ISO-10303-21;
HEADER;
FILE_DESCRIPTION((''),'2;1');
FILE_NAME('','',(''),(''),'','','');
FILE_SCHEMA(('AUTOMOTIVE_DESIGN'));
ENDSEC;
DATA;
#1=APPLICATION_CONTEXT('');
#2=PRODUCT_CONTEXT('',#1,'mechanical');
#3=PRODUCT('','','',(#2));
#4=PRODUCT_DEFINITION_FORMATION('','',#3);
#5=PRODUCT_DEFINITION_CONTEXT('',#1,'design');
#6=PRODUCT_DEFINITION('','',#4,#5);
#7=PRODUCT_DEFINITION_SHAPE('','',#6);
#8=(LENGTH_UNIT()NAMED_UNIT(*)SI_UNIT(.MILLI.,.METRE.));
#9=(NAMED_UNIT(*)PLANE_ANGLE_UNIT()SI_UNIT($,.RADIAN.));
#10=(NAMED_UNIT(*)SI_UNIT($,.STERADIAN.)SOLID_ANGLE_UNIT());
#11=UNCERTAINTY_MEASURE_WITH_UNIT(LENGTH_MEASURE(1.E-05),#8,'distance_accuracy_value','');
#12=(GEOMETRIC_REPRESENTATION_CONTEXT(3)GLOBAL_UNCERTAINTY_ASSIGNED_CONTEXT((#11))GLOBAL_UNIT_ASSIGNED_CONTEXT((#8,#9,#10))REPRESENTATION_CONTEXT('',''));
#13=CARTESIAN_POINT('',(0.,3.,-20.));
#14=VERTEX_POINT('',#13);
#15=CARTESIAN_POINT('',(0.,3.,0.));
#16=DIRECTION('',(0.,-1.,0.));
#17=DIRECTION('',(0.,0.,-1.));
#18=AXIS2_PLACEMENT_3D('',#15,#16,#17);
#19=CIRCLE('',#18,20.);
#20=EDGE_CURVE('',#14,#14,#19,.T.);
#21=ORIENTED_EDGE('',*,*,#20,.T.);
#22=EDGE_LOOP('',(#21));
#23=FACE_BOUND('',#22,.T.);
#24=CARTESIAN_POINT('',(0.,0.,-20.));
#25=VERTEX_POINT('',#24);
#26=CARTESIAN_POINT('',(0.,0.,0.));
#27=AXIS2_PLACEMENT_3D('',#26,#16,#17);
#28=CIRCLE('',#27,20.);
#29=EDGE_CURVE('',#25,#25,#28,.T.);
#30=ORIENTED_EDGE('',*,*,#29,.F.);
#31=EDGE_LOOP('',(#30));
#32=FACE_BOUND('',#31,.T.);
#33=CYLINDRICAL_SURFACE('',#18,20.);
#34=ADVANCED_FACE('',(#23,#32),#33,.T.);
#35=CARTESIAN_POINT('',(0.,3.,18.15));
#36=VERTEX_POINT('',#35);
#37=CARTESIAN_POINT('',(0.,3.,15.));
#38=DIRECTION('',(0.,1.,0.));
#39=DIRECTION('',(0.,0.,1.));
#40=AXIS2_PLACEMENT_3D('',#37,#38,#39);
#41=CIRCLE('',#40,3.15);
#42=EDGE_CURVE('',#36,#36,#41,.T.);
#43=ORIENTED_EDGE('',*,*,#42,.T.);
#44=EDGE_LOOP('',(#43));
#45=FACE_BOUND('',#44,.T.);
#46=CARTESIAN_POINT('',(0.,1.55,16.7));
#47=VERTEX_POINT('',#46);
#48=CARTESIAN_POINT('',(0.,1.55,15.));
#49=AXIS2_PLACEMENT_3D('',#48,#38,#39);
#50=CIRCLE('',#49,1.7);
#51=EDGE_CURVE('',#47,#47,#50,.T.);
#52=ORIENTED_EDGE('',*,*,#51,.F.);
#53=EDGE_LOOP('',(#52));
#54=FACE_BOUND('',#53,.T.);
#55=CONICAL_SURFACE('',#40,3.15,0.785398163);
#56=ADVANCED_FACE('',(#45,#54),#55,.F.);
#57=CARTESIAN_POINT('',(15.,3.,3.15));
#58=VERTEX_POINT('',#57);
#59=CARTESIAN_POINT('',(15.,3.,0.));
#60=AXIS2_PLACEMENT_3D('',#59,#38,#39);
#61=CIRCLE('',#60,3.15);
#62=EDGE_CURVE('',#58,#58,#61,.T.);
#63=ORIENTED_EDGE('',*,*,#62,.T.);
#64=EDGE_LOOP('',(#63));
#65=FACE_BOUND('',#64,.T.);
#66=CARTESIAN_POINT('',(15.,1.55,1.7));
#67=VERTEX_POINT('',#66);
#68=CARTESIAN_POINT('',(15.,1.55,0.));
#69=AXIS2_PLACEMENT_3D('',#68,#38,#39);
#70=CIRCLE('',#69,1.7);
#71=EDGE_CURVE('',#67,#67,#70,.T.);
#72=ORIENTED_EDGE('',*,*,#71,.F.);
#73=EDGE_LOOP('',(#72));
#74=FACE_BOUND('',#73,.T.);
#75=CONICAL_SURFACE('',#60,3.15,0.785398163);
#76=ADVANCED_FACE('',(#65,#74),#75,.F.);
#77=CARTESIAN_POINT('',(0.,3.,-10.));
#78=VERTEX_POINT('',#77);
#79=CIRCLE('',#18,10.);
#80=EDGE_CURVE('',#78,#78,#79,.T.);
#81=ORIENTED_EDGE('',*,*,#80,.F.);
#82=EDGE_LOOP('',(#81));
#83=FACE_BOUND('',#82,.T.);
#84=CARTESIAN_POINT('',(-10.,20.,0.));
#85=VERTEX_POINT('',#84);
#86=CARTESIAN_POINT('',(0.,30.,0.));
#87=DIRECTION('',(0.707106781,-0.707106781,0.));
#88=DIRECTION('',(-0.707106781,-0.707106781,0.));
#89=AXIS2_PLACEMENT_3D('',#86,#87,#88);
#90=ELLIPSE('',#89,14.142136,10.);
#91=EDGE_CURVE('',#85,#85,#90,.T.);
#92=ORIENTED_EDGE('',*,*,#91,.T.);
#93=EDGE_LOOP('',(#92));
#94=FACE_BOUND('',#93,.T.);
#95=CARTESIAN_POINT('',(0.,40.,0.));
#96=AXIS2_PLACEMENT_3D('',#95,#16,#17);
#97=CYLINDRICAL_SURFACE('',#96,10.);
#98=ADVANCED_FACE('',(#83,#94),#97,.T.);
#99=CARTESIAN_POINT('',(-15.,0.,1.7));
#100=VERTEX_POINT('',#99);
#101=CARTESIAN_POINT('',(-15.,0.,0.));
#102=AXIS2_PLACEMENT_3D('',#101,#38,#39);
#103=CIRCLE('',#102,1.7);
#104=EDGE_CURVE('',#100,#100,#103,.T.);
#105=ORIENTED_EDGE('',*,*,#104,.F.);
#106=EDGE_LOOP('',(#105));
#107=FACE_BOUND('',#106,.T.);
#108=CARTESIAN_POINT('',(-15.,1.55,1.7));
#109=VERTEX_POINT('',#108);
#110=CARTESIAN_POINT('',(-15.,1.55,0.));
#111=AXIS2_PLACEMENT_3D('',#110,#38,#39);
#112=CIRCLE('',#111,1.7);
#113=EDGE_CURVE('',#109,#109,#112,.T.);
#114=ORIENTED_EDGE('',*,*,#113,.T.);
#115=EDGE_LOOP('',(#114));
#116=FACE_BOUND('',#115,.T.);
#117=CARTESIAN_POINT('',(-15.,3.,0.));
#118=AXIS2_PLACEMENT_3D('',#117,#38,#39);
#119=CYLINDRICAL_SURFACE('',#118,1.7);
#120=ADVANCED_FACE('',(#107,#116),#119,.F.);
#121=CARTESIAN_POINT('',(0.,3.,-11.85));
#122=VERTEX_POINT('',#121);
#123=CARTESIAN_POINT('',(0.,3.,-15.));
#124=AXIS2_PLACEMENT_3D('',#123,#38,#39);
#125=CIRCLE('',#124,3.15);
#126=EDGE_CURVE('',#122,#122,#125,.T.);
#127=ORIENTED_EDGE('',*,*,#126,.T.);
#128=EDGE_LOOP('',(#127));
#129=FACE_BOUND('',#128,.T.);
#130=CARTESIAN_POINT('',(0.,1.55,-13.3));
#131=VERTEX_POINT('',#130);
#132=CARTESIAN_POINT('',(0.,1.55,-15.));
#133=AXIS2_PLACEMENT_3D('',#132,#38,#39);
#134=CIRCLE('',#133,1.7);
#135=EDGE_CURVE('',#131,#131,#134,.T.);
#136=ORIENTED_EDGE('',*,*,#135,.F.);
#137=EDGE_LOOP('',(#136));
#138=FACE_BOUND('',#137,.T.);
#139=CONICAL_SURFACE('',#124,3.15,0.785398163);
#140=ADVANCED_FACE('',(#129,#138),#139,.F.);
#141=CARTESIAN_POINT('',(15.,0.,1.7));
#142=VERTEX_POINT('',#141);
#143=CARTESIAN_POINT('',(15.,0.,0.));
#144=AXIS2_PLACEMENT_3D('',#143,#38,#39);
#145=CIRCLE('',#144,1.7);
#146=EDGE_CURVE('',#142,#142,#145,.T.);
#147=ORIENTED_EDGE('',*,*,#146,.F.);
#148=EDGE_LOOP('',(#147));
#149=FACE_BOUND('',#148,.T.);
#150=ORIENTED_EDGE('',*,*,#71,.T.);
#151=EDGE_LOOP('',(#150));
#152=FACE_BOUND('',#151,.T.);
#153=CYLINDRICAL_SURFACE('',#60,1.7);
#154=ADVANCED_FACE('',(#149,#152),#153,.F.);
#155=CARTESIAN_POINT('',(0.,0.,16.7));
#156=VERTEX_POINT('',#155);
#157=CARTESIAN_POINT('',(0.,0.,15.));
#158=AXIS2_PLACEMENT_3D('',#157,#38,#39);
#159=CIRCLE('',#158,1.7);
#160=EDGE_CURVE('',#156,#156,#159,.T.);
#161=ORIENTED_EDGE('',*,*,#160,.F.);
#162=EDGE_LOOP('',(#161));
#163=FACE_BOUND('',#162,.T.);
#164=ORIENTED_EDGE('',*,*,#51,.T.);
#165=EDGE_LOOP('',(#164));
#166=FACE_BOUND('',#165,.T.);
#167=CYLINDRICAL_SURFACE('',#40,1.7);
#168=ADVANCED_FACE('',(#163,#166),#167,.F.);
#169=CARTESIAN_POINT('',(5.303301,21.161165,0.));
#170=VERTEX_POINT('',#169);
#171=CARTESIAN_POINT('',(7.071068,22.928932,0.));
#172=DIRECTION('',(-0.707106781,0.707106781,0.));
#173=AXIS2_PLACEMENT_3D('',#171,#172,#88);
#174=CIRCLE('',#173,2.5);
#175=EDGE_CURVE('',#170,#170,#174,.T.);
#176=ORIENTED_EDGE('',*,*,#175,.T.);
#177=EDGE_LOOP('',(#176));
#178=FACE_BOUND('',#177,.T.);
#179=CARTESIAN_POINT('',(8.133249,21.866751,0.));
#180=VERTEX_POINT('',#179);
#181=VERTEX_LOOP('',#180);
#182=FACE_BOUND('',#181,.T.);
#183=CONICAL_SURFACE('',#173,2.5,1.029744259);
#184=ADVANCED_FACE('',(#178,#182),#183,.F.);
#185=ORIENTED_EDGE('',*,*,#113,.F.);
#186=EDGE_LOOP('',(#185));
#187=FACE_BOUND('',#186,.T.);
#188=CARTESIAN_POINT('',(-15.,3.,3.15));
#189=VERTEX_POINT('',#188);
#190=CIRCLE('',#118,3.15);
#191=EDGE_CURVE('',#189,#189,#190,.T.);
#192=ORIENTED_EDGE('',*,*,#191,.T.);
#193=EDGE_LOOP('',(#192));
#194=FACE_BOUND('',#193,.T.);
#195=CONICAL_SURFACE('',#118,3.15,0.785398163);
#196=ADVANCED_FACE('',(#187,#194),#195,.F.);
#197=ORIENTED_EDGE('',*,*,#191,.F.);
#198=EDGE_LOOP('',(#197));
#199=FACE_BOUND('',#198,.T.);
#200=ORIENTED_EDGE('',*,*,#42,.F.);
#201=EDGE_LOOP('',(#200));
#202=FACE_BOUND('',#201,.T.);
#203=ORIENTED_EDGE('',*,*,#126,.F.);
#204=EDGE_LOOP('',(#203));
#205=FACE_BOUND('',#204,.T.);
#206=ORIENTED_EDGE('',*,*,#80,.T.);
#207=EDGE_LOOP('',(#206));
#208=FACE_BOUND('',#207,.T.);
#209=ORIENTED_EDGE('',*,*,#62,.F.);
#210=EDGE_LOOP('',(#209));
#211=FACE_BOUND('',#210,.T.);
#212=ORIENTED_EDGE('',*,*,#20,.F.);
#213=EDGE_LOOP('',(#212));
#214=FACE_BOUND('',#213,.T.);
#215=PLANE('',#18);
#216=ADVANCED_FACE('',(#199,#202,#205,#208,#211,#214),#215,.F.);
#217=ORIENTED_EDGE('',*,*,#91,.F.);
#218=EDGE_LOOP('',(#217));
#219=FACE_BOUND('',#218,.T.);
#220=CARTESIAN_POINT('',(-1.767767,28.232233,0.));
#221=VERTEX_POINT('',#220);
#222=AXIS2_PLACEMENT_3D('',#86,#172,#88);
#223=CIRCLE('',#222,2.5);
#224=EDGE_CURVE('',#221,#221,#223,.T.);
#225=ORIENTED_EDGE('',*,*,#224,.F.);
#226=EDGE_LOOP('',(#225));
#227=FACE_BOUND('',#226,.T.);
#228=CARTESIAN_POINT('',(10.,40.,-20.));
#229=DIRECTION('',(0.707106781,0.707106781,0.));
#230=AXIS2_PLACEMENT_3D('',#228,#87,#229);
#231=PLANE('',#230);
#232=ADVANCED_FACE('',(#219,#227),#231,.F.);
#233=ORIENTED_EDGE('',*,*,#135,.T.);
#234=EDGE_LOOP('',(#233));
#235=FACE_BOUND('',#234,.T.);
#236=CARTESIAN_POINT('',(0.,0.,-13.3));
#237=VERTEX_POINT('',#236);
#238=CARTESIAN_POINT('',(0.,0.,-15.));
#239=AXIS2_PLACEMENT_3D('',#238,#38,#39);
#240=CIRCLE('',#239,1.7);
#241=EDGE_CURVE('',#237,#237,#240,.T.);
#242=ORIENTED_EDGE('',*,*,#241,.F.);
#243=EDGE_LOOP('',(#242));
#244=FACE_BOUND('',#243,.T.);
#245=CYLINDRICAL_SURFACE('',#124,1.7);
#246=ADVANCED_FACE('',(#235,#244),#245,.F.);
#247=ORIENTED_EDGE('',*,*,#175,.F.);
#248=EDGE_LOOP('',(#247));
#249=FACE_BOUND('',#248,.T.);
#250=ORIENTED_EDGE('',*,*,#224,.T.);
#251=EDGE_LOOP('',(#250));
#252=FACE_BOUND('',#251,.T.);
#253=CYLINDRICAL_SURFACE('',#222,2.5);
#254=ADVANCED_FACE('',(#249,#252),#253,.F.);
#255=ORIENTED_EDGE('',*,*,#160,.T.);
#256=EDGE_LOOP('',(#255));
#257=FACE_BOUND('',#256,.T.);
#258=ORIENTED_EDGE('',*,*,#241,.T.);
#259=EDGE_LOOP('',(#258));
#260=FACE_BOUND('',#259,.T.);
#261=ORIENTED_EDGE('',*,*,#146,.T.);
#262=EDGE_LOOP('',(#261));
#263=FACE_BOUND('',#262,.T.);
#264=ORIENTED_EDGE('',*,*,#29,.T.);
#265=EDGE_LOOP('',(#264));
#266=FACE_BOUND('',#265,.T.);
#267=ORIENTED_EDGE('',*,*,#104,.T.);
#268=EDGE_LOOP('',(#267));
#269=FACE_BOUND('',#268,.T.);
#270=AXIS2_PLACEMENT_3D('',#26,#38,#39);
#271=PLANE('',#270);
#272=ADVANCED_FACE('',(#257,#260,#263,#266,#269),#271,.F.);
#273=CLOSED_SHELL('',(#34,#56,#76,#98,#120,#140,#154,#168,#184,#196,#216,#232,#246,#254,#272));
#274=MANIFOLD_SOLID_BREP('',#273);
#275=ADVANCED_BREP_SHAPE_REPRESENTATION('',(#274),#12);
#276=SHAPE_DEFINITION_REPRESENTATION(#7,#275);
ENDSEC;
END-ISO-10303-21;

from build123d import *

# Parameters (mm, degrees)
SKETCH1_R               = 10
BOSS_EXTRUDE1_DEPTH     = 40
SKETCH2_R               = 20
BOSS_EXTRUDE2_DEPTH     = 3
CIRPATTERN1_COUNT       = 4
CUT_EXTRUDE1_DEPTH      = 49.989794856
CUT_EXTRUDE1_DEPTH_BACK = 49.989794856
M6_TAPPED_HOLE1_D       = 5
M6_TAPPED_HOLE1_DEPTH   = 10
M6_TAPPED_HOLE1_TIP     = 1.502151548


with BuildPart() as part:
    # Sketch1 → Boss-Extrude1 (new body)
    with BuildSketch(Plane(origin=(0, 0, 0), x_dir=(1, 0, 0), z_dir=(0, 1, 0))):
        Circle(SKETCH1_R)
    extrude(amount=BOSS_EXTRUDE1_DEPTH)

    # Sketch2 → Boss-Extrude2 (add)
    with BuildSketch(Plane.XZ):
        Circle(SKETCH2_R)
    extrude(amount=-BOSS_EXTRUDE2_DEPTH)

    # Sketch3 → CSK for M3 Countersunk Flat Head Screw1 (revolve, cut)
    with BuildSketch(Plane(origin=(0, 3, -15), x_dir=(0, 0, 1), z_dir=(1, 0, 0))):
        Polygon((0, 0), (0, 3), (1.7, 3), (1.7, 1.45), (3.15, 0), align=None)
    csk_for_m3_countersunk_flat_head_screw1 = revolve(axis=Axis((0, 9.35, -15), (0, -1, 0)), mode=Mode.SUBTRACT)

    # CirPattern1: CSK for M3 Countersunk Flat Head Screw1 ×4 about axis
    cirpattern1_axis = Axis((0, 3, 0), (0, -1, 0))
    for i in range(1, CIRPATTERN1_COUNT):
        add(csk_for_m3_countersunk_flat_head_screw1.rotate(cirpattern1_axis, i * 360 / CIRPATTERN1_COUNT), mode=Mode.SUBTRACT)

    # Sketch5 → Cut-Extrude1 (cut, two sides: drawn at the far end of the back side and taken through both)
    with BuildSketch(Plane.XY.offset(-CUT_EXTRUDE1_DEPTH_BACK)):
        Polygon((-10, 40), (10, 40), (-10, 20), align=None)
    extrude(amount=CUT_EXTRUDE1_DEPTH + CUT_EXTRUDE1_DEPTH_BACK, mode=Mode.SUBTRACT)

    # M6 Tapped Hole1
    with Locations(Plane(origin=(-15, 15, 0), x_dir=(0.7071067811865475, 0.7071067811865477, 0), z_dir=(-0.7071067811865477, 0.7071067811865475, 0))):
        with Locations((21.213203436, 0)):
            Hole(M6_TAPPED_HOLE1_D / 2, depth=M6_TAPPED_HOLE1_DEPTH)
            with Locations((0, 0, -(M6_TAPPED_HOLE1_DEPTH + M6_TAPPED_HOLE1_TIP / 2))):  # 118° drill point
                Cone(0, M6_TAPPED_HOLE1_D / 2, M6_TAPPED_HOLE1_TIP, mode=Mode.SUBTRACT)


solid = part.part
